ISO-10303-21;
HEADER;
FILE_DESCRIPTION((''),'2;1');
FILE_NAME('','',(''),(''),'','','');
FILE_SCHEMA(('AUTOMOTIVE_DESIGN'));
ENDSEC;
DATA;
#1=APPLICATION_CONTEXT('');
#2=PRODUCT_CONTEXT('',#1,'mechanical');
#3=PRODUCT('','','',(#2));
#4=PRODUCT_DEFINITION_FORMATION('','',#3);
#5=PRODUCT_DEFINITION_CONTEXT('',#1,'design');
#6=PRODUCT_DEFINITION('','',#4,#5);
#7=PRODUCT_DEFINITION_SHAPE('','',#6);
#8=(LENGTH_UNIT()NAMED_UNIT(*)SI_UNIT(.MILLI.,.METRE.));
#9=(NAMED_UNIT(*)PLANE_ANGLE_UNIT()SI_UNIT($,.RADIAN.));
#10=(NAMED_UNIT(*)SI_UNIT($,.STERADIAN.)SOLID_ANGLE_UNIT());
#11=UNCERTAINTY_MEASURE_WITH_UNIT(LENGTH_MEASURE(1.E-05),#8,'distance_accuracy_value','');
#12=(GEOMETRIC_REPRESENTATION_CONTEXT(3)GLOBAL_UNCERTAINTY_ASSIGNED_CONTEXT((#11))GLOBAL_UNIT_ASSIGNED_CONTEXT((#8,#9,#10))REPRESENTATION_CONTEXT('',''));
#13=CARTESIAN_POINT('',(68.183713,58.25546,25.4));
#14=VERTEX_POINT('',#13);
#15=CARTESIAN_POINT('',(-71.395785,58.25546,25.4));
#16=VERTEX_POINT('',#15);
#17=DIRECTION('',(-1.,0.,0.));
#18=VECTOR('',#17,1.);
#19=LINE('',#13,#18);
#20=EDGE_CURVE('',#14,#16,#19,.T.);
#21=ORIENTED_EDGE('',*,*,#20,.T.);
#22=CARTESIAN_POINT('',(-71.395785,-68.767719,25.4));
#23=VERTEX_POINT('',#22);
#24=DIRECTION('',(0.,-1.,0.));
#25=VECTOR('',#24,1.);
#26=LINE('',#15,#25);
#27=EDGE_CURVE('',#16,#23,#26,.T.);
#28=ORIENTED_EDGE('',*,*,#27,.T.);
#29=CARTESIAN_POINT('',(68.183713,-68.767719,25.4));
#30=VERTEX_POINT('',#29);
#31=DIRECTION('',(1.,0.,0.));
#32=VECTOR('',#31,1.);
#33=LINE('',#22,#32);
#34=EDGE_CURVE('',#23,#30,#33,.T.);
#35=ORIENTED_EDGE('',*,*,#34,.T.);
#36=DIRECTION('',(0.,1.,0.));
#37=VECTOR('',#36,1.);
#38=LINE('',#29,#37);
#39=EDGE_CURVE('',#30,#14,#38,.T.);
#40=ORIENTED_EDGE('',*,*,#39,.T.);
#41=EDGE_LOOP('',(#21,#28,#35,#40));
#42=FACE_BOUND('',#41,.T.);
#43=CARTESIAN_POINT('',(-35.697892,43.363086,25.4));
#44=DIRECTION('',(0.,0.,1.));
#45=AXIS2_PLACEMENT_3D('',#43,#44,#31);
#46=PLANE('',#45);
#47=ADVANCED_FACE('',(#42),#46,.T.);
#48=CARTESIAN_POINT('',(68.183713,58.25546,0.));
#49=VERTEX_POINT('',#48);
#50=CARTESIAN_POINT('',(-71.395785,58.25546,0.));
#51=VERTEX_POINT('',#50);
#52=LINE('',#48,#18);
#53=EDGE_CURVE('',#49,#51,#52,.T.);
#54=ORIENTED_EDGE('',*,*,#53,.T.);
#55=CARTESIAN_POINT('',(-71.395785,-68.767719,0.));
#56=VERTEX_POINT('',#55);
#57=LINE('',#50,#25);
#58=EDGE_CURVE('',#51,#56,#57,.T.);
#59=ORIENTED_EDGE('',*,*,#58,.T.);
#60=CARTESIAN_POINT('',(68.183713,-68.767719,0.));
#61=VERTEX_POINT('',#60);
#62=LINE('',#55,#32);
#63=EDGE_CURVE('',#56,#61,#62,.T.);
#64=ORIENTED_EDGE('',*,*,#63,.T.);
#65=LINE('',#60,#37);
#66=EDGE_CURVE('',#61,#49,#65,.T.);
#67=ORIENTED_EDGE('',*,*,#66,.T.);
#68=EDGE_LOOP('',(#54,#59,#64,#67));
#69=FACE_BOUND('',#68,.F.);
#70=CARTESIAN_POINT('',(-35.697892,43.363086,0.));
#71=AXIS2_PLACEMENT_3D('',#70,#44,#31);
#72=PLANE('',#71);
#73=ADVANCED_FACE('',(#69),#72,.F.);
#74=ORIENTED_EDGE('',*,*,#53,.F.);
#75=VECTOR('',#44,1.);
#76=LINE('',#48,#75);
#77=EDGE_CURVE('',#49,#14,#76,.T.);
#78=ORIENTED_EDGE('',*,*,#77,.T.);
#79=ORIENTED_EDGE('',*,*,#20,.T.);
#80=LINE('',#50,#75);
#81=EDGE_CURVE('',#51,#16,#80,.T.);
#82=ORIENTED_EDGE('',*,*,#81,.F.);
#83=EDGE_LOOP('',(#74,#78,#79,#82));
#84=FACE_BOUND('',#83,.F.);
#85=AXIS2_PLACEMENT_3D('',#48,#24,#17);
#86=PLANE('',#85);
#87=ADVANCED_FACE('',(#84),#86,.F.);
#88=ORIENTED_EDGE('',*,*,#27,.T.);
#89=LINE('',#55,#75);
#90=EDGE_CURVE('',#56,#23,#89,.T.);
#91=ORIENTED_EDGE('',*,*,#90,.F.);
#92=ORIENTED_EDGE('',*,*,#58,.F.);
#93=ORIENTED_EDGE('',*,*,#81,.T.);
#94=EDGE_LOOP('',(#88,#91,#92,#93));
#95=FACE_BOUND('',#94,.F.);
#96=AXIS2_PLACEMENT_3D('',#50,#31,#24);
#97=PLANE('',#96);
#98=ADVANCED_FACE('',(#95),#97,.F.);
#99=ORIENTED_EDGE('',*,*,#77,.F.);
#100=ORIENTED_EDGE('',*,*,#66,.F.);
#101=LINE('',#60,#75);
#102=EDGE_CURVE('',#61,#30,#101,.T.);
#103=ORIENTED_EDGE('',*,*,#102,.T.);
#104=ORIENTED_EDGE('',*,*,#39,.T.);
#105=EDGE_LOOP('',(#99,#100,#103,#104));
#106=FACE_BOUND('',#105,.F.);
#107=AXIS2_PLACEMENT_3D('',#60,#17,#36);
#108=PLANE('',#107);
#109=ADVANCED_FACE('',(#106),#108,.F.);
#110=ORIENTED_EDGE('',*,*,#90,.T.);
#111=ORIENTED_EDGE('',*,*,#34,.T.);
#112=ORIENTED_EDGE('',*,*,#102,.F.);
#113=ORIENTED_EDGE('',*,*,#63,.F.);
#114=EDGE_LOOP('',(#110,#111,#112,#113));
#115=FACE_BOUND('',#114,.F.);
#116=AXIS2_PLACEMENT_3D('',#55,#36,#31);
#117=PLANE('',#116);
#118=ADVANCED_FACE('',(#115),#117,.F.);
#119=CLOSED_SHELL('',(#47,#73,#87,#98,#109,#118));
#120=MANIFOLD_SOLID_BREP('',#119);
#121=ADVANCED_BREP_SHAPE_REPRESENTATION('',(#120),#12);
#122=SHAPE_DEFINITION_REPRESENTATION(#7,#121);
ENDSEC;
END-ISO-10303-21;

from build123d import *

# Parameters (mm, degrees)
F0_W     = 71.3957846165
F0_H     = 29.7847483307
F0_W_2   = 68.1837126613
F0_H_2   = 35.0408777595
F0_H_3   = 33.7268412113
F0_H_4   = 28.4707117826
F1_DEPTH = 25.4


with BuildPart() as f1:
    # F0 (on Top) → F1 (new body)
    with BuildSketch(Plane.XY):
        with Locations((-35.6978923082, 43.3630859479)):
            Rectangle(F0_W, F0_H)
        with Locations((34.0918563306, 43.3630859479)):
            Rectangle(F0_W_2, F0_H)
        with Locations((-35.6978923082, -51.247280091)):
            Rectangle(F0_W, F0_H_2)
        with Locations((34.0918563306, -51.247280091)):
            Rectangle(F0_W_2, F0_H_2)
        with Locations((-35.6978923082, -16.8634206057)):
            Rectangle(F0_W, F0_H_3)
        with Locations((34.0918563306, 14.2353558913)):
            Rectangle(F0_W_2, F0_H_4)
        with Locations((34.0918563306, -16.8634206057)):
            Rectangle(F0_W_2, F0_H_3)
        with Locations((-35.6978923082, 14.2353558913)):
            Rectangle(F0_W, F0_H_4)
    extrude(amount=F1_DEPTH)


solid = f1.part
